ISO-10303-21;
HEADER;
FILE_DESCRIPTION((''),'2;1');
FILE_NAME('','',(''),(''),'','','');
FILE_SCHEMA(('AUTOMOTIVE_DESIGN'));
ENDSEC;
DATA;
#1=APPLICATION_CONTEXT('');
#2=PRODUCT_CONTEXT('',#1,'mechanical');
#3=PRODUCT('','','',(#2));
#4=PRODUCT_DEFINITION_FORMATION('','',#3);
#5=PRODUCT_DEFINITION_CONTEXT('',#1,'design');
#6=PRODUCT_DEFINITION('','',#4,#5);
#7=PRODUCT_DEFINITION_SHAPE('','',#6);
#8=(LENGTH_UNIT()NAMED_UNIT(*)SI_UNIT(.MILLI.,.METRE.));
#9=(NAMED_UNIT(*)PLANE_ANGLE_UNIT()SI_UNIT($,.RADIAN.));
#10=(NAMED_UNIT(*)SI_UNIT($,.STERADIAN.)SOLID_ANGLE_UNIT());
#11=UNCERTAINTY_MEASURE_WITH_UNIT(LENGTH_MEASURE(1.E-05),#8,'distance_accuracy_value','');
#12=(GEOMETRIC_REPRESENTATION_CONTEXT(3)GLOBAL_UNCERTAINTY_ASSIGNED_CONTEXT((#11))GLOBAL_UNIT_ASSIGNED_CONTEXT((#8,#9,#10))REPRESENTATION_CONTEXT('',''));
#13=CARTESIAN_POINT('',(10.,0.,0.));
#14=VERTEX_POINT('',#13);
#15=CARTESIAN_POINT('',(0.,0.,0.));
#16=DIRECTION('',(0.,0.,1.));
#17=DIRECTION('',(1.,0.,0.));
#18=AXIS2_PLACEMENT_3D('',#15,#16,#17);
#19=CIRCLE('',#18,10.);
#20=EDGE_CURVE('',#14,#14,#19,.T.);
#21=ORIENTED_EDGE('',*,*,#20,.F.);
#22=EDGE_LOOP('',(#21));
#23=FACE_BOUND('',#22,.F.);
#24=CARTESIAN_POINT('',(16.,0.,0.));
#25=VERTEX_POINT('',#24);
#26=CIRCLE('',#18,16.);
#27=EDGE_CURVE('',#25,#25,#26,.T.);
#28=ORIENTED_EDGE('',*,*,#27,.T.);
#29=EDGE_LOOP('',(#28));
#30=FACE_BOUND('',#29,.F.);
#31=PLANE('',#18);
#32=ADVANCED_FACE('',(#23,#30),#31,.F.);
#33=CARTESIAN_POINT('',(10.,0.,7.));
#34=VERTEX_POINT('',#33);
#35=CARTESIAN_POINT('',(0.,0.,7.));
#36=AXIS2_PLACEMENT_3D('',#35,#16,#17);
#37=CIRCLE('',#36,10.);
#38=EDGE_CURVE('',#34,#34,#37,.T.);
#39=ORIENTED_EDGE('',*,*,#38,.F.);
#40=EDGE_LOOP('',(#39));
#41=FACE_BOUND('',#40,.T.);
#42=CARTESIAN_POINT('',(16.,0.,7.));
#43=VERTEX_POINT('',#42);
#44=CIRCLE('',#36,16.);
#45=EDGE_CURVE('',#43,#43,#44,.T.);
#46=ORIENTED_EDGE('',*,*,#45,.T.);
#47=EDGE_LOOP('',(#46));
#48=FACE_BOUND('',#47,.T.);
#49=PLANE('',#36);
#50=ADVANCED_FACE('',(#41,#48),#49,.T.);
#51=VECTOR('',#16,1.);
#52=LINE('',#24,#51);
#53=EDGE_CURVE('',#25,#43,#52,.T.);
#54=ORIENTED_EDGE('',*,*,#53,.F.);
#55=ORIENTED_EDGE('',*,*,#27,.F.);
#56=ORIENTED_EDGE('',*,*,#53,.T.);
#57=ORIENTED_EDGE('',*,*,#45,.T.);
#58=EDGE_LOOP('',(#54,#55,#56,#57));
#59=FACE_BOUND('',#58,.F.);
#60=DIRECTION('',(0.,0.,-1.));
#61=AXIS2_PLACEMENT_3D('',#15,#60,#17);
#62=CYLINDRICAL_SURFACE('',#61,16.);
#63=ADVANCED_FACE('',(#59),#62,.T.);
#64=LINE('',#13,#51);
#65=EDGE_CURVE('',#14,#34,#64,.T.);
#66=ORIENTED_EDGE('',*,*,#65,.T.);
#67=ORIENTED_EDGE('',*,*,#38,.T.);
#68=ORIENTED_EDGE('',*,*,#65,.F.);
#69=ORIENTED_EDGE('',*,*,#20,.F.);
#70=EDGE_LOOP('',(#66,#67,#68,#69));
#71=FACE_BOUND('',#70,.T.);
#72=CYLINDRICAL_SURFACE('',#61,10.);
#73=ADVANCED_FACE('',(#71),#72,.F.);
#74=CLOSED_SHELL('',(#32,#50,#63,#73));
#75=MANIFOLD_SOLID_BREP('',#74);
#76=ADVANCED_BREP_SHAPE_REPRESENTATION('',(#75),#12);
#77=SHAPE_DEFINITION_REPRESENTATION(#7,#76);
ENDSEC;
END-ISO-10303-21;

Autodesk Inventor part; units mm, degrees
ref_plane "YZ Plane" through (0, 0, 0) normal (1, 0, 0) x (0, 1, 0)
ref_plane "XZ Plane" through (0, 0, 0) normal (0, 1, 0) x (-1, 0, 0)
ref_plane "XY Plane" through (0, 0, 0) normal (0, 0, 1) x (1, 0, 0)
sketch "Эскиз1" plane through (0, 0, 0) normal (0, 0, 1) x (1, 0, 0)
  circle A0 centre (0, 0) radius 10
  circle A1 centre (0, 0) radius 16
  dimension "d0" = 20
  dimension "d1" = 32
extrude "Выдавливание1" add sketch "Эскиз1" along normal blind 7
properties part number "Подшипник 20 32 7"
